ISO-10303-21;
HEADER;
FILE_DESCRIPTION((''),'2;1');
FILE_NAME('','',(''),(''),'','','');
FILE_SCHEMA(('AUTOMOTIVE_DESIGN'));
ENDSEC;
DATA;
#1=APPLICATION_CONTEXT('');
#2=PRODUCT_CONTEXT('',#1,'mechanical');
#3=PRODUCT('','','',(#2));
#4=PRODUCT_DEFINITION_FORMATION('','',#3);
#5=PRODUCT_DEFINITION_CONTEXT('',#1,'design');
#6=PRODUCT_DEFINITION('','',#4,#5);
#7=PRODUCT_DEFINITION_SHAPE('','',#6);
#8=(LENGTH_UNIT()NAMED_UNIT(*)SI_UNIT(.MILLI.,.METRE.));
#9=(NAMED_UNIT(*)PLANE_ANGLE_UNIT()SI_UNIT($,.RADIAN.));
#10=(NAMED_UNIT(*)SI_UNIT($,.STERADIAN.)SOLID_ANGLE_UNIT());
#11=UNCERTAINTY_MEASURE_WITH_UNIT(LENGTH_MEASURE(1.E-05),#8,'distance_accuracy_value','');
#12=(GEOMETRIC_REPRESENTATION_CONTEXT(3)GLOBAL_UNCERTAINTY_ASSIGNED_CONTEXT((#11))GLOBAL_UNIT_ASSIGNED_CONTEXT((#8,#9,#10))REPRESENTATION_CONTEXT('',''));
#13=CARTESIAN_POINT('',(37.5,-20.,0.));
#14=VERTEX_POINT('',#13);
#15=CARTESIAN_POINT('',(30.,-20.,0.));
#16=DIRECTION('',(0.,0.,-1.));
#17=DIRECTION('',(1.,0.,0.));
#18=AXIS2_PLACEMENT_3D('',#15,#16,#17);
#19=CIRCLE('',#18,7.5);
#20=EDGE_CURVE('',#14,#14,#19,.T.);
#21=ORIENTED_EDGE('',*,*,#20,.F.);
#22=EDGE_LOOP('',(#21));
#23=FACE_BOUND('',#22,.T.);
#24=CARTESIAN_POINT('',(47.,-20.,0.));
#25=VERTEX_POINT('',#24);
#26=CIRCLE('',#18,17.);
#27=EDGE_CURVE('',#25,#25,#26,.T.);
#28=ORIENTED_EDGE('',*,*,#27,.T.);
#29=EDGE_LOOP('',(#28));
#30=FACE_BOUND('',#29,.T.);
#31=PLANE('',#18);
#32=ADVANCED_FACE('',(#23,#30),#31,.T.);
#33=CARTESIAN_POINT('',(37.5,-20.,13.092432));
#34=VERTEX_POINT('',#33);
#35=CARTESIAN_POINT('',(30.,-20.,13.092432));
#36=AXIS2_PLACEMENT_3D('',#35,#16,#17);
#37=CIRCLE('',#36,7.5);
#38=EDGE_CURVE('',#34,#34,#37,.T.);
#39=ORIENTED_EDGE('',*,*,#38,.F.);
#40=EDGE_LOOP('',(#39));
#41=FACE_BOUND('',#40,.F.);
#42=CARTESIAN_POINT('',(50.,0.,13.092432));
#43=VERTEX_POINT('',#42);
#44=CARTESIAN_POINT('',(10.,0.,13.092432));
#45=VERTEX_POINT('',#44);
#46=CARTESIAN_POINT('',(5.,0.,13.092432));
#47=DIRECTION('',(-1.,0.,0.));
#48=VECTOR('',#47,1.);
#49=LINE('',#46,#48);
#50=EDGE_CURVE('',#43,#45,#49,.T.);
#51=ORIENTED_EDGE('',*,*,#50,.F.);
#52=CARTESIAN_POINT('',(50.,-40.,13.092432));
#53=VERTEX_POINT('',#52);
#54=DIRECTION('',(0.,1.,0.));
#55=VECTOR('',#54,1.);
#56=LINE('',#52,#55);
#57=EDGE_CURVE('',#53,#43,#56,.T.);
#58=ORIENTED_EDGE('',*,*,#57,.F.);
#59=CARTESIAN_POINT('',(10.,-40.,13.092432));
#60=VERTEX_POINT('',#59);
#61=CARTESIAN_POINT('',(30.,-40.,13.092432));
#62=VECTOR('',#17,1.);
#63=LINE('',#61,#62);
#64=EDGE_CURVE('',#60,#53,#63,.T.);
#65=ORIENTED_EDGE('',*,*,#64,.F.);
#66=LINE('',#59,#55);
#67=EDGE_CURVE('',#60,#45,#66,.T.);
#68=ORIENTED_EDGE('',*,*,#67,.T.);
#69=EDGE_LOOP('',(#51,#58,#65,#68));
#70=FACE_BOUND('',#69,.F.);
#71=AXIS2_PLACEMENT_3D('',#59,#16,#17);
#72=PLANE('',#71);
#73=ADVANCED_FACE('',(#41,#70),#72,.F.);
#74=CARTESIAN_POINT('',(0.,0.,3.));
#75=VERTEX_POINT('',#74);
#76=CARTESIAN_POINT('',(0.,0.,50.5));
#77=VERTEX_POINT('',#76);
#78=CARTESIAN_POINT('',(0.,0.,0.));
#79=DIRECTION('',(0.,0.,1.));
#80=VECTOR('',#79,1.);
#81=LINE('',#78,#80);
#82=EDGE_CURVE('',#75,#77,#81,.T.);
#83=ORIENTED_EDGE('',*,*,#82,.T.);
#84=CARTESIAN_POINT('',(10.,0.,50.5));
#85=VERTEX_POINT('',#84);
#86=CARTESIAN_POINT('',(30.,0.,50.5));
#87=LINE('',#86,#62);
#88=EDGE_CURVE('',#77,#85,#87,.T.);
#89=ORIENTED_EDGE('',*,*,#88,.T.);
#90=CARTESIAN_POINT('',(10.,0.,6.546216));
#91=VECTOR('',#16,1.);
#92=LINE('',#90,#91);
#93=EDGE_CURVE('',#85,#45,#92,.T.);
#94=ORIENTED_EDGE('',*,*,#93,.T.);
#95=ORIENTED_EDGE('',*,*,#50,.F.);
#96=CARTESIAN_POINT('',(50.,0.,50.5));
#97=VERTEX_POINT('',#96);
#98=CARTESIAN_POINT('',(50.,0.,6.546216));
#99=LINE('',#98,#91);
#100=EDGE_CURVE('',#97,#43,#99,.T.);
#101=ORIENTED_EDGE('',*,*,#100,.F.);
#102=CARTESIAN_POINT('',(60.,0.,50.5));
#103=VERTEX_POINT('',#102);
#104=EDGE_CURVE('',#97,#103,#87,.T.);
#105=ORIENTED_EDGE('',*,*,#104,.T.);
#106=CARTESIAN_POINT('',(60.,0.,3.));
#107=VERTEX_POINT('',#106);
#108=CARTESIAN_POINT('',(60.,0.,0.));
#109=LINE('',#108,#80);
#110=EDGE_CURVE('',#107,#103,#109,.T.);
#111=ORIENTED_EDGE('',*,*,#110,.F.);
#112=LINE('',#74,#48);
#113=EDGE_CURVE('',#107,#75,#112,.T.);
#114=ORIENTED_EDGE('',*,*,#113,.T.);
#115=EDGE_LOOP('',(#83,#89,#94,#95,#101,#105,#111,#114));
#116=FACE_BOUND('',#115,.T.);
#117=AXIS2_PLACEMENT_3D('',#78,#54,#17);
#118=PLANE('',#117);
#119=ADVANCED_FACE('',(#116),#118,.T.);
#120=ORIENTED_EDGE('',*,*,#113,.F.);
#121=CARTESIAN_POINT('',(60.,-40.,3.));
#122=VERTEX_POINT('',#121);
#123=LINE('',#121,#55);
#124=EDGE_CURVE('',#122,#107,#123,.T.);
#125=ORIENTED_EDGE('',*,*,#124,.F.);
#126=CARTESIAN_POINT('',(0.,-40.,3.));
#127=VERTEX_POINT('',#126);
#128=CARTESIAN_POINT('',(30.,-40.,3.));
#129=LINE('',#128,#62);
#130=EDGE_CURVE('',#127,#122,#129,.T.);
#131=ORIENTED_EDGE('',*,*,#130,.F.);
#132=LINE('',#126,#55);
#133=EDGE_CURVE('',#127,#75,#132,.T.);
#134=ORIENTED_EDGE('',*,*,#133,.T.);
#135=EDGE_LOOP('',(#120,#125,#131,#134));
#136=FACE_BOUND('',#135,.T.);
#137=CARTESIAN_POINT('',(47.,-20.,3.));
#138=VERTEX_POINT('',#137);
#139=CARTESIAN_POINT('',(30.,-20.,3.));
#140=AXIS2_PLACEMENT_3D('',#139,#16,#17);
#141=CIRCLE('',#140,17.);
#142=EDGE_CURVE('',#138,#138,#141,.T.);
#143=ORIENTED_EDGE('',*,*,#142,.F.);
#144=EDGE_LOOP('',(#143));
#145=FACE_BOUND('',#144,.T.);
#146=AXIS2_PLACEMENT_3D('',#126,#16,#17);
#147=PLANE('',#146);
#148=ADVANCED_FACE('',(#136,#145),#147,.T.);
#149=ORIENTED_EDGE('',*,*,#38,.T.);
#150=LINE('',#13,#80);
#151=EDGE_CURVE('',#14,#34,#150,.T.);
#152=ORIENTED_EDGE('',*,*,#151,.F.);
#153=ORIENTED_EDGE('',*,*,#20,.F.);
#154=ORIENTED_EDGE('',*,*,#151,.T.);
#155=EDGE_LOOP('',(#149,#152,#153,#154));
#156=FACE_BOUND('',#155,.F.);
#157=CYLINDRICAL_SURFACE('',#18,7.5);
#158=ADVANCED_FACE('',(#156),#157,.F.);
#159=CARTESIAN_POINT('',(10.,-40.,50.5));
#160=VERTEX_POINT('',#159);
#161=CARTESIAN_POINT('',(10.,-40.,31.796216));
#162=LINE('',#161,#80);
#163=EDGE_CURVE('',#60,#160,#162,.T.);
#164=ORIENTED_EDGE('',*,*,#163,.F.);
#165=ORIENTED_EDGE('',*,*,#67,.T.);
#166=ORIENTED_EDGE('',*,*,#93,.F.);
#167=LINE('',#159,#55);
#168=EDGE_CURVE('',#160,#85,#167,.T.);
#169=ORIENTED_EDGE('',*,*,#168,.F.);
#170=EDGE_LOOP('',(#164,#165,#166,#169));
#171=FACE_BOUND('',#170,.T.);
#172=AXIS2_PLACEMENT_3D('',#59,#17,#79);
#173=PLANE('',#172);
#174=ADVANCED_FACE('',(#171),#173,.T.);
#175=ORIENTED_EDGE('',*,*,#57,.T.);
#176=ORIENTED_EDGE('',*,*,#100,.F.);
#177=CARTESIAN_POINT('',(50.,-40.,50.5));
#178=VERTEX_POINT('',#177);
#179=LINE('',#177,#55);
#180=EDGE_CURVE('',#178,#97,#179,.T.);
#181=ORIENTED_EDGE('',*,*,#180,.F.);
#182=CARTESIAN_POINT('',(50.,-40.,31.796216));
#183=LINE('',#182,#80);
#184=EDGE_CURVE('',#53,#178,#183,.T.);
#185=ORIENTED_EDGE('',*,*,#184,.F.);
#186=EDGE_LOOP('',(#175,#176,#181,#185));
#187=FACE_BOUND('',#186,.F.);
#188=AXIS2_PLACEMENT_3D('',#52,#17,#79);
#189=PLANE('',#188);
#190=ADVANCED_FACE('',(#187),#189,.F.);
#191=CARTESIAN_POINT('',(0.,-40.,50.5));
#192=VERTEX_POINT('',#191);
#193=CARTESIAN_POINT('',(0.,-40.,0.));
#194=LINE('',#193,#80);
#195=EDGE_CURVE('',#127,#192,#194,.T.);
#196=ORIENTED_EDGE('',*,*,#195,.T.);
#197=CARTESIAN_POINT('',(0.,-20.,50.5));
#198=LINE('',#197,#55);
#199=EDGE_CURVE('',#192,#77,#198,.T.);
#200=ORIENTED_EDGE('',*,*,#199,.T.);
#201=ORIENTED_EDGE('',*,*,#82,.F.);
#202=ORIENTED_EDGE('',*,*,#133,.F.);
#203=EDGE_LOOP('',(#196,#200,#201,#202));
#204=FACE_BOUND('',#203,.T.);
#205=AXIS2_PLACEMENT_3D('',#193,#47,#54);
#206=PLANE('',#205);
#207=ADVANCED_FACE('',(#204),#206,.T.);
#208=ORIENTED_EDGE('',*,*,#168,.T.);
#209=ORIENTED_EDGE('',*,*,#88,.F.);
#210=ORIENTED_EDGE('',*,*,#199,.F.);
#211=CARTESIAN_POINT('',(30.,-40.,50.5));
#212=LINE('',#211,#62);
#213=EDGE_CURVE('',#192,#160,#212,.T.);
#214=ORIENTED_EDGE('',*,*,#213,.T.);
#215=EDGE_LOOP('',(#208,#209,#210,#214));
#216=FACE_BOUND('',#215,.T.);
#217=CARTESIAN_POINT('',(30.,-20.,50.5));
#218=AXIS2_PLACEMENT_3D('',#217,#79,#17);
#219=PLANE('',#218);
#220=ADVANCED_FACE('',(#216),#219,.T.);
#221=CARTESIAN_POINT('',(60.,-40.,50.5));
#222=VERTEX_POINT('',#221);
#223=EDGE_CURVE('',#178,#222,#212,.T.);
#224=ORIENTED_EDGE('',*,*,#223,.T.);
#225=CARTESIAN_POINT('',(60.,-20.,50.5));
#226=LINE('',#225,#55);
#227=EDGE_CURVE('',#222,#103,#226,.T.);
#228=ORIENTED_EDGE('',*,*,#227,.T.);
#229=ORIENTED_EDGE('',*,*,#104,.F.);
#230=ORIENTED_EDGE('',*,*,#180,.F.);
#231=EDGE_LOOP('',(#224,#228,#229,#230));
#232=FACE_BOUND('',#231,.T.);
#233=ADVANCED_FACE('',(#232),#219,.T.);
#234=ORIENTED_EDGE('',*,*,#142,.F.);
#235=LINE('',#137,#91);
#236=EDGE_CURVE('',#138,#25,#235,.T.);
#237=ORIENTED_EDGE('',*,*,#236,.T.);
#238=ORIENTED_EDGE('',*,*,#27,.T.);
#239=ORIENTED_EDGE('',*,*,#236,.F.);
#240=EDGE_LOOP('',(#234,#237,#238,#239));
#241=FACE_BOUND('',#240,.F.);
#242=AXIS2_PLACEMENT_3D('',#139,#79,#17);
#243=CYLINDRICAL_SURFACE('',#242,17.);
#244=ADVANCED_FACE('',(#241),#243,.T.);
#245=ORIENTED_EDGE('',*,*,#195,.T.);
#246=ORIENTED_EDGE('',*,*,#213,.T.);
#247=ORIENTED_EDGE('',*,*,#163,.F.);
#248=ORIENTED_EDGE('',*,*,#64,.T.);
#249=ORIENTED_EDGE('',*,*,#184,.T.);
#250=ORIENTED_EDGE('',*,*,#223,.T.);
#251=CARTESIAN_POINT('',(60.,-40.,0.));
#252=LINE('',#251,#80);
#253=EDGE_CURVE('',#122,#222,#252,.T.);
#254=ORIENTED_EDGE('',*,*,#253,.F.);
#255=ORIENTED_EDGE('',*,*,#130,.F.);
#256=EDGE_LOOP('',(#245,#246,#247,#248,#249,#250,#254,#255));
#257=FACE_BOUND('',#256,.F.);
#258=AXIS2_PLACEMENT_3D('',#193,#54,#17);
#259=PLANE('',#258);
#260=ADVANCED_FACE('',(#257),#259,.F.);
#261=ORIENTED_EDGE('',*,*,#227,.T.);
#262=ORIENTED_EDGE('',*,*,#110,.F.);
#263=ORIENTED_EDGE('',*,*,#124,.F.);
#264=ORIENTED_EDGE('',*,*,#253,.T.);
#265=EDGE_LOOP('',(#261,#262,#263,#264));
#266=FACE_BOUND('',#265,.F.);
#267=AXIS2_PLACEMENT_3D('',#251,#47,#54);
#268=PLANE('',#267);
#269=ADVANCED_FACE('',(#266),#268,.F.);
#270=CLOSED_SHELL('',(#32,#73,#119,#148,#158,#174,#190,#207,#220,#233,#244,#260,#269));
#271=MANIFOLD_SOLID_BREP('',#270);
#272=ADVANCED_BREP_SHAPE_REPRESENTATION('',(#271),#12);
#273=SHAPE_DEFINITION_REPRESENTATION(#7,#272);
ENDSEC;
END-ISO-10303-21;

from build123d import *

# Parameters (mm, degrees)
F0_W     = 60
F0_H     = 40
F1_DEPTH = 50.5
F2_W     = 60
F2_H     = 3
F3_DEPTH = 40.001
F4_R     = 17
F5_DEPTH = 3
F6_W     = 40
F6_H     = 37.407568
F7_DEPTH = 40.001
F8_R     = 7.5
F9_DEPTH = 50.501


with BuildPart() as f1:
    # F0 (on Top) → F1 (new body)
    with BuildSketch(Plane.XY):
        with Locations((30, -20)):
            Rectangle(F0_W, F0_H)
    extrude(amount=F1_DEPTH)

    # F2 (on face) → F3 (cut, through all)
    with BuildSketch(Plane.XZ.offset(40)):
        with Locations((30, 1.5)):
            Rectangle(F2_W, F2_H)
    extrude(amount=-F3_DEPTH, mode=Mode.SUBTRACT)

    # F4 (on face) → F5 (join)
    with BuildSketch(Plane(origin=(0, 0, 3), x_dir=(1, 0, 0), z_dir=(0, 0, -1))):
        with Locations((30, 20)):
            Circle(F4_R)
    extrude(amount=F5_DEPTH)

    # F6 (on face) → F7 (cut, through all)
    with BuildSketch(Plane.XZ.offset(40)):
        with Locations((30, 31.796216)):
            Rectangle(F6_W, F6_H)
    extrude(amount=-F7_DEPTH, mode=Mode.SUBTRACT)

    # F8 (on face) → F9 (cut, through all)
    with BuildSketch(Plane(origin=(0, 0, 0), x_dir=(1, 0, 0), z_dir=(0, 0, -1))):
        with Locations((30, 20)):
            Circle(F8_R)
    extrude(amount=-F9_DEPTH, mode=Mode.SUBTRACT)


solid = f1.part
